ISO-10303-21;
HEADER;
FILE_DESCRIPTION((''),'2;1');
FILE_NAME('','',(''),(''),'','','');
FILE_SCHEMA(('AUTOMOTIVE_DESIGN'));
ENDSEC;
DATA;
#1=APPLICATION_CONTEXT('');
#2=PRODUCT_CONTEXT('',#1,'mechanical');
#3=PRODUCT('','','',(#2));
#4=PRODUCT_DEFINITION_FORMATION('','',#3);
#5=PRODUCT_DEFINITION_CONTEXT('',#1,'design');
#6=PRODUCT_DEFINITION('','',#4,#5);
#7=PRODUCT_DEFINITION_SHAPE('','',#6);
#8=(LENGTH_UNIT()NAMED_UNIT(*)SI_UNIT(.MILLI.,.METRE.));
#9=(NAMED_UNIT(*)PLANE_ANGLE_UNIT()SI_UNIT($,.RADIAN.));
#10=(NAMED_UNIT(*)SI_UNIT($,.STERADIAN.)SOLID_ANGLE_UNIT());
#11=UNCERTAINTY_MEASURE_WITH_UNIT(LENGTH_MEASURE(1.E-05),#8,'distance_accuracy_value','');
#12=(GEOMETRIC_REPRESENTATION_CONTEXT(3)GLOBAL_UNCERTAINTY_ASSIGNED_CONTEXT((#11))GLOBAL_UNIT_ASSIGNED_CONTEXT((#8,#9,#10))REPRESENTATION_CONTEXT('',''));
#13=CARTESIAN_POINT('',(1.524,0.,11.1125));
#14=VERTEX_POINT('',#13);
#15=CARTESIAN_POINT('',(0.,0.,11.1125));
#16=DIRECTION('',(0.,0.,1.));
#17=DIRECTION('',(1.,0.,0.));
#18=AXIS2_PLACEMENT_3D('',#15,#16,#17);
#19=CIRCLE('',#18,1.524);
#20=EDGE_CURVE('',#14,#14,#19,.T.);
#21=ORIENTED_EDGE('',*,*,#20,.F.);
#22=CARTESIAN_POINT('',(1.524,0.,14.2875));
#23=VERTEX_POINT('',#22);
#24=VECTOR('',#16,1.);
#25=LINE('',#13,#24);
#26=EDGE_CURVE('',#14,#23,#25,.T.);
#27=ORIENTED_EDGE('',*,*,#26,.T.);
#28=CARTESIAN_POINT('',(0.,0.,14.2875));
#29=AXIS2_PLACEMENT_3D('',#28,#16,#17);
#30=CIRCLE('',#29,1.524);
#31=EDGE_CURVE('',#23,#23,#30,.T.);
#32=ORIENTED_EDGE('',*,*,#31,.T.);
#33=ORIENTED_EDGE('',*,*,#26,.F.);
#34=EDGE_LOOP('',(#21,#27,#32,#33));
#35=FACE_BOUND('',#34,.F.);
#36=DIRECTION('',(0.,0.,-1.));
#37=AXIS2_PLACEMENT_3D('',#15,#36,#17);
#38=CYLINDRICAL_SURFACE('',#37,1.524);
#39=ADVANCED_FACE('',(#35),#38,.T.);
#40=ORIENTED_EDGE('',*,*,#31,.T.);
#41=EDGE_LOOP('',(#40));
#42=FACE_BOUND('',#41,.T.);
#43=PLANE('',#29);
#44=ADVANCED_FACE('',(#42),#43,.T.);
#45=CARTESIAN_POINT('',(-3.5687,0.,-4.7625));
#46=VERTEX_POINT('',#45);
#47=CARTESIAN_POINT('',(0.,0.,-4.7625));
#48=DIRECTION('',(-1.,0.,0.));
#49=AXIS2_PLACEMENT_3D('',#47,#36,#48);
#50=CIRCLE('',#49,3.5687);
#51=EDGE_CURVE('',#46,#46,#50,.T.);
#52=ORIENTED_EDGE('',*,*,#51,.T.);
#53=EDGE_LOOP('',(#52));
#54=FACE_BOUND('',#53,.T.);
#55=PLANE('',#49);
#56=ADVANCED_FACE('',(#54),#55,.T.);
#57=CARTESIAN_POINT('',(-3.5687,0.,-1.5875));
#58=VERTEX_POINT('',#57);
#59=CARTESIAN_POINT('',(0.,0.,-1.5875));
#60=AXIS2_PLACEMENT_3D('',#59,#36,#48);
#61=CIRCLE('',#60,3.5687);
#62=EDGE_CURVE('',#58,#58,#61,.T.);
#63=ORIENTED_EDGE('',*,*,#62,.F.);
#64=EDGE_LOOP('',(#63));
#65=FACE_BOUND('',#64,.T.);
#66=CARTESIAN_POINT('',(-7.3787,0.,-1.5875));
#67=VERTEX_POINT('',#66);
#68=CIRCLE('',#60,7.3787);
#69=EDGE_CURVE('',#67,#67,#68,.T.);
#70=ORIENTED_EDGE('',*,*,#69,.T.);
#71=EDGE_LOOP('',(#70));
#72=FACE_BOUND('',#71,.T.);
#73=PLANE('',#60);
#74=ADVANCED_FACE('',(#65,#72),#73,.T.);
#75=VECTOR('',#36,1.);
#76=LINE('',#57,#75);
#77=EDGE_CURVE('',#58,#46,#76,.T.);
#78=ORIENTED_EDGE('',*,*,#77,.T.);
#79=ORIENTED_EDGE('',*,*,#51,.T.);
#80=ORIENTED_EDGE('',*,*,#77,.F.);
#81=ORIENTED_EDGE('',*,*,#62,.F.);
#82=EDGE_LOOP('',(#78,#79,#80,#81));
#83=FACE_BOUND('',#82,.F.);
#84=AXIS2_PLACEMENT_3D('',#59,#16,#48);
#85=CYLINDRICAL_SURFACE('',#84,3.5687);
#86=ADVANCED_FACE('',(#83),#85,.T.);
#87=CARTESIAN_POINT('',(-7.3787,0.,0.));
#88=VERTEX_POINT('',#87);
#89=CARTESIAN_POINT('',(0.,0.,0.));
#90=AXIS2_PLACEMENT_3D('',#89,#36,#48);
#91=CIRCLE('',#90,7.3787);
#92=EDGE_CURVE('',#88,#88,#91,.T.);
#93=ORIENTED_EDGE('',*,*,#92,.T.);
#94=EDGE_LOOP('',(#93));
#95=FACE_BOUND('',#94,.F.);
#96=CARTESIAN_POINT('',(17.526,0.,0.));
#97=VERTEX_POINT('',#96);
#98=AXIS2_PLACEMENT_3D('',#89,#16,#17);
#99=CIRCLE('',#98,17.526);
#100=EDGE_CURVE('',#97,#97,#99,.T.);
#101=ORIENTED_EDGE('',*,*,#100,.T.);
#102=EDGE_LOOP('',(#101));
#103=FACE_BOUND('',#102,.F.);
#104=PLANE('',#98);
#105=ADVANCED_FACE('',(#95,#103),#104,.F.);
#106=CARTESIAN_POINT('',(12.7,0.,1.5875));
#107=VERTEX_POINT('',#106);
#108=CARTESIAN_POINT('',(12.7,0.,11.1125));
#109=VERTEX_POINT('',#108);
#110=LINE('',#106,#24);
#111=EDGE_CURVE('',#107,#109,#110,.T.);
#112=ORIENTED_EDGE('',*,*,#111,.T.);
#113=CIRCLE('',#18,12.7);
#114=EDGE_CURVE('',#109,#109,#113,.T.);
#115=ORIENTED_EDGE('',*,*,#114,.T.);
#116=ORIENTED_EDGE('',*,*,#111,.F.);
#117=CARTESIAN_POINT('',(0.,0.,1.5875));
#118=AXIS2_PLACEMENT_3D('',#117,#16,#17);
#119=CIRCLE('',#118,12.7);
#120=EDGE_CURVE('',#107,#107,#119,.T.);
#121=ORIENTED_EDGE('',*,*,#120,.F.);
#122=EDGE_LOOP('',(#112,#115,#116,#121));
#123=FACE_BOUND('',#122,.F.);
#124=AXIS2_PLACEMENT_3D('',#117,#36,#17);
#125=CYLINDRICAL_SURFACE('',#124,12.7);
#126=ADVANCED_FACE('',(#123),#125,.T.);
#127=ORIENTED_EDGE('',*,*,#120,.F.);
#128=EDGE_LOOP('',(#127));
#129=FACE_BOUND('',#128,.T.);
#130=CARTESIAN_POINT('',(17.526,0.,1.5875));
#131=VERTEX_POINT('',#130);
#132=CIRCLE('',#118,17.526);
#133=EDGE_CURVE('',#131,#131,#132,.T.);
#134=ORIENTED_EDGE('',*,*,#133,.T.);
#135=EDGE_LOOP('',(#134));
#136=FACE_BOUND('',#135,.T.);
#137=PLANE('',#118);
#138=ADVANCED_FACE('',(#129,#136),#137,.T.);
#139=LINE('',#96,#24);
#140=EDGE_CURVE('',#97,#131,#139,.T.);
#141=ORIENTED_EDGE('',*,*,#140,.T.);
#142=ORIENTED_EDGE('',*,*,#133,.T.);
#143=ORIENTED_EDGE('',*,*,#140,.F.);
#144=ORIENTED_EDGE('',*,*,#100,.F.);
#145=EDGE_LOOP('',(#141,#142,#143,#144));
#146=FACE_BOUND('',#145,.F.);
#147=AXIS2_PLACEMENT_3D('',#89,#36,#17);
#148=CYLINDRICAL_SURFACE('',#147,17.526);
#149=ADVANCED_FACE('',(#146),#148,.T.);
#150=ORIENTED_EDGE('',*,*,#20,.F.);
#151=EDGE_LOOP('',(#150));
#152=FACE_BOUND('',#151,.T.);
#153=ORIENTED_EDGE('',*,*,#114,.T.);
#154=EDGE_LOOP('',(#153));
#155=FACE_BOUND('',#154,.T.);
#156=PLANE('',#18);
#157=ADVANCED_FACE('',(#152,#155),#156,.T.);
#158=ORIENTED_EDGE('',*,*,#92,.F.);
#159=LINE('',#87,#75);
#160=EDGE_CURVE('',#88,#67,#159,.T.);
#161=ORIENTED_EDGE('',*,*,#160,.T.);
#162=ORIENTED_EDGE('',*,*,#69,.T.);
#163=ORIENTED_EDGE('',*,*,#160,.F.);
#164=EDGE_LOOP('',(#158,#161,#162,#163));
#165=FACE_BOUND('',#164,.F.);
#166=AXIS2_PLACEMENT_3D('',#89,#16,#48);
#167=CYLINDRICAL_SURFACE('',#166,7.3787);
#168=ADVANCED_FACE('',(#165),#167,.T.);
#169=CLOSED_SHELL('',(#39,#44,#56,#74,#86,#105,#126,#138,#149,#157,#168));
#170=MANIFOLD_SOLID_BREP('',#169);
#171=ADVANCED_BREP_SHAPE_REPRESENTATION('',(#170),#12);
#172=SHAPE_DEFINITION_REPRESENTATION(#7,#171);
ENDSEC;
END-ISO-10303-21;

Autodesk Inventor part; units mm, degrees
ref_plane "YZ Plane" through (0, 0, 0) normal (1, 0, 0) x (0, 1, 0)
ref_plane "XZ Plane" through (0, 0, 0) normal (0, 1, 0) x (-1, 0, 0)
ref_plane "XY Plane" through (0, 0, 0) normal (0, 0, 1) x (1, 0, 0)
sketch "Sketch1" plane through (0, 0, 0) normal (0, 0, 1) x (1, 0, 0)
  circle A0 centre (0, 0) radius 17.526
  dimension "d0" = 35.052
extrude "Extrusion1" add sketch "Sketch1" along normal blind 1.5875
sketch "Sketch2" plane through (0, 0, 1.5875) normal (0, 0, 1) x (1, 0, 0)
  circle A0 centre (0, 0) radius 12.7
  dimension "d3" = 25.4
extrude "Extrusion2" add sketch "Sketch2" along normal blind 9.525
sketch "Sketch3" plane through (0, 0, 0) normal (0, 0, -1) x (-1, 0, 0)
  circle A0 centre (0, 0) radius 7.3787
  dimension "d6" = 14.7574
extrude "Extrusion3" add sketch "Sketch3" along normal blind 1.5875
sketch "Sketch4" plane through (0, 0, -1.5875) normal (0, 0, -1) x (-1, 0, 0)
  circle A0 centre (0, 0) radius 3.5687
  dimension "d9" = 7.1374
extrude "Extrusion4" add sketch "Sketch4" along normal blind 3.175
sketch "Sketch5" plane through (0, 0, 11.1125) normal (0, 0, 1) x (1, 0, 0)
  circle A0 centre (0, 0) radius 1.524
  dimension "d12" = 3.048
extrude "Extrusion5" add sketch "Sketch5" along normal blind 3.175
properties part number "Wheel"
